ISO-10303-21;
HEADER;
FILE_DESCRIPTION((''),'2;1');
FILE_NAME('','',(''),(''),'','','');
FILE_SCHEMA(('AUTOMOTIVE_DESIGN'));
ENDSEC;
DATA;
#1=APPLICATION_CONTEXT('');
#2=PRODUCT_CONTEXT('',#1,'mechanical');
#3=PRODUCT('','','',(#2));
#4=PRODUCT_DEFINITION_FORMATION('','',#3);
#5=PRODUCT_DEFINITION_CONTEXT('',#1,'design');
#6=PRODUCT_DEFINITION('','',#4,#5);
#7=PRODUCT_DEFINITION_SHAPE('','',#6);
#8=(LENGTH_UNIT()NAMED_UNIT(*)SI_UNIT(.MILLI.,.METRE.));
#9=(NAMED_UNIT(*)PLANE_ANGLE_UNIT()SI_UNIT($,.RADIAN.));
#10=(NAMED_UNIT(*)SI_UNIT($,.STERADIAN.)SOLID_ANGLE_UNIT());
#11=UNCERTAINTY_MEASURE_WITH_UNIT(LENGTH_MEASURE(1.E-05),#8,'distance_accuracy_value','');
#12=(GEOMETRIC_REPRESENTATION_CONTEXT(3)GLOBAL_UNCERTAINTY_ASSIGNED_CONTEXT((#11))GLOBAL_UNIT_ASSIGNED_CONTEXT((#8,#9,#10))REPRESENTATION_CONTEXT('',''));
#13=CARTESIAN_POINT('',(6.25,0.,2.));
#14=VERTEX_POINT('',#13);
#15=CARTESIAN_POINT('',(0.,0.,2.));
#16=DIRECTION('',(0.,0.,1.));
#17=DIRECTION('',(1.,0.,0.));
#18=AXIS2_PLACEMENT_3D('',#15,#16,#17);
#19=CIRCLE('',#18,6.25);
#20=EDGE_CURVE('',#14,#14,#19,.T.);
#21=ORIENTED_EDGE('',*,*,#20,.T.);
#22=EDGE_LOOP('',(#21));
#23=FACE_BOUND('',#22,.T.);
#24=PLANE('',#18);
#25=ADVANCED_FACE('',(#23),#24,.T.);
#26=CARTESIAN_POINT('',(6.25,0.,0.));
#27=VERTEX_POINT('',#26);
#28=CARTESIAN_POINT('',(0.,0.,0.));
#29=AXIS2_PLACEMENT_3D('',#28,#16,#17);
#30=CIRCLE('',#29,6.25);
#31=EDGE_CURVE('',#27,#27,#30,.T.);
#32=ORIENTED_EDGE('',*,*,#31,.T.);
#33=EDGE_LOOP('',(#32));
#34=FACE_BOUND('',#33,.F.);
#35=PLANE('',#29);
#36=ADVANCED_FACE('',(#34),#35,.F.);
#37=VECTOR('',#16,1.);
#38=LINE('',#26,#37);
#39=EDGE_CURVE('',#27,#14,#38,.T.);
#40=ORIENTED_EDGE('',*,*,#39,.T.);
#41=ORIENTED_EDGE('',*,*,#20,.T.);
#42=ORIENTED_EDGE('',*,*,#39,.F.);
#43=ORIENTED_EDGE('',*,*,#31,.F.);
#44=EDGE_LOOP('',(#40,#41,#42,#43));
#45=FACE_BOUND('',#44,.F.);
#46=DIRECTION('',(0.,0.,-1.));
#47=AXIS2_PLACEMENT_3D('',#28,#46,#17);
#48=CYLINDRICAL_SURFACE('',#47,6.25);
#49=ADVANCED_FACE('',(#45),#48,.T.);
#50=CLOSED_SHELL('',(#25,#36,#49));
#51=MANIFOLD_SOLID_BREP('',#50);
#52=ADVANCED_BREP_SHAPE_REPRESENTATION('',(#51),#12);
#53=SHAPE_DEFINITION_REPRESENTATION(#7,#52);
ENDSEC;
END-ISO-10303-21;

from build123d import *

# Parameters (mm, degrees)
SKETCH_1_R      = 6.25
EXTRUDE_1_DEPTH = 2


with BuildPart() as part:
    # 草图1 → 凸台-拉伸1 (new body)
    with BuildSketch(Plane.XY):
        Circle(SKETCH_1_R)
    extrude(amount=EXTRUDE_1_DEPTH)


solid = part.part
